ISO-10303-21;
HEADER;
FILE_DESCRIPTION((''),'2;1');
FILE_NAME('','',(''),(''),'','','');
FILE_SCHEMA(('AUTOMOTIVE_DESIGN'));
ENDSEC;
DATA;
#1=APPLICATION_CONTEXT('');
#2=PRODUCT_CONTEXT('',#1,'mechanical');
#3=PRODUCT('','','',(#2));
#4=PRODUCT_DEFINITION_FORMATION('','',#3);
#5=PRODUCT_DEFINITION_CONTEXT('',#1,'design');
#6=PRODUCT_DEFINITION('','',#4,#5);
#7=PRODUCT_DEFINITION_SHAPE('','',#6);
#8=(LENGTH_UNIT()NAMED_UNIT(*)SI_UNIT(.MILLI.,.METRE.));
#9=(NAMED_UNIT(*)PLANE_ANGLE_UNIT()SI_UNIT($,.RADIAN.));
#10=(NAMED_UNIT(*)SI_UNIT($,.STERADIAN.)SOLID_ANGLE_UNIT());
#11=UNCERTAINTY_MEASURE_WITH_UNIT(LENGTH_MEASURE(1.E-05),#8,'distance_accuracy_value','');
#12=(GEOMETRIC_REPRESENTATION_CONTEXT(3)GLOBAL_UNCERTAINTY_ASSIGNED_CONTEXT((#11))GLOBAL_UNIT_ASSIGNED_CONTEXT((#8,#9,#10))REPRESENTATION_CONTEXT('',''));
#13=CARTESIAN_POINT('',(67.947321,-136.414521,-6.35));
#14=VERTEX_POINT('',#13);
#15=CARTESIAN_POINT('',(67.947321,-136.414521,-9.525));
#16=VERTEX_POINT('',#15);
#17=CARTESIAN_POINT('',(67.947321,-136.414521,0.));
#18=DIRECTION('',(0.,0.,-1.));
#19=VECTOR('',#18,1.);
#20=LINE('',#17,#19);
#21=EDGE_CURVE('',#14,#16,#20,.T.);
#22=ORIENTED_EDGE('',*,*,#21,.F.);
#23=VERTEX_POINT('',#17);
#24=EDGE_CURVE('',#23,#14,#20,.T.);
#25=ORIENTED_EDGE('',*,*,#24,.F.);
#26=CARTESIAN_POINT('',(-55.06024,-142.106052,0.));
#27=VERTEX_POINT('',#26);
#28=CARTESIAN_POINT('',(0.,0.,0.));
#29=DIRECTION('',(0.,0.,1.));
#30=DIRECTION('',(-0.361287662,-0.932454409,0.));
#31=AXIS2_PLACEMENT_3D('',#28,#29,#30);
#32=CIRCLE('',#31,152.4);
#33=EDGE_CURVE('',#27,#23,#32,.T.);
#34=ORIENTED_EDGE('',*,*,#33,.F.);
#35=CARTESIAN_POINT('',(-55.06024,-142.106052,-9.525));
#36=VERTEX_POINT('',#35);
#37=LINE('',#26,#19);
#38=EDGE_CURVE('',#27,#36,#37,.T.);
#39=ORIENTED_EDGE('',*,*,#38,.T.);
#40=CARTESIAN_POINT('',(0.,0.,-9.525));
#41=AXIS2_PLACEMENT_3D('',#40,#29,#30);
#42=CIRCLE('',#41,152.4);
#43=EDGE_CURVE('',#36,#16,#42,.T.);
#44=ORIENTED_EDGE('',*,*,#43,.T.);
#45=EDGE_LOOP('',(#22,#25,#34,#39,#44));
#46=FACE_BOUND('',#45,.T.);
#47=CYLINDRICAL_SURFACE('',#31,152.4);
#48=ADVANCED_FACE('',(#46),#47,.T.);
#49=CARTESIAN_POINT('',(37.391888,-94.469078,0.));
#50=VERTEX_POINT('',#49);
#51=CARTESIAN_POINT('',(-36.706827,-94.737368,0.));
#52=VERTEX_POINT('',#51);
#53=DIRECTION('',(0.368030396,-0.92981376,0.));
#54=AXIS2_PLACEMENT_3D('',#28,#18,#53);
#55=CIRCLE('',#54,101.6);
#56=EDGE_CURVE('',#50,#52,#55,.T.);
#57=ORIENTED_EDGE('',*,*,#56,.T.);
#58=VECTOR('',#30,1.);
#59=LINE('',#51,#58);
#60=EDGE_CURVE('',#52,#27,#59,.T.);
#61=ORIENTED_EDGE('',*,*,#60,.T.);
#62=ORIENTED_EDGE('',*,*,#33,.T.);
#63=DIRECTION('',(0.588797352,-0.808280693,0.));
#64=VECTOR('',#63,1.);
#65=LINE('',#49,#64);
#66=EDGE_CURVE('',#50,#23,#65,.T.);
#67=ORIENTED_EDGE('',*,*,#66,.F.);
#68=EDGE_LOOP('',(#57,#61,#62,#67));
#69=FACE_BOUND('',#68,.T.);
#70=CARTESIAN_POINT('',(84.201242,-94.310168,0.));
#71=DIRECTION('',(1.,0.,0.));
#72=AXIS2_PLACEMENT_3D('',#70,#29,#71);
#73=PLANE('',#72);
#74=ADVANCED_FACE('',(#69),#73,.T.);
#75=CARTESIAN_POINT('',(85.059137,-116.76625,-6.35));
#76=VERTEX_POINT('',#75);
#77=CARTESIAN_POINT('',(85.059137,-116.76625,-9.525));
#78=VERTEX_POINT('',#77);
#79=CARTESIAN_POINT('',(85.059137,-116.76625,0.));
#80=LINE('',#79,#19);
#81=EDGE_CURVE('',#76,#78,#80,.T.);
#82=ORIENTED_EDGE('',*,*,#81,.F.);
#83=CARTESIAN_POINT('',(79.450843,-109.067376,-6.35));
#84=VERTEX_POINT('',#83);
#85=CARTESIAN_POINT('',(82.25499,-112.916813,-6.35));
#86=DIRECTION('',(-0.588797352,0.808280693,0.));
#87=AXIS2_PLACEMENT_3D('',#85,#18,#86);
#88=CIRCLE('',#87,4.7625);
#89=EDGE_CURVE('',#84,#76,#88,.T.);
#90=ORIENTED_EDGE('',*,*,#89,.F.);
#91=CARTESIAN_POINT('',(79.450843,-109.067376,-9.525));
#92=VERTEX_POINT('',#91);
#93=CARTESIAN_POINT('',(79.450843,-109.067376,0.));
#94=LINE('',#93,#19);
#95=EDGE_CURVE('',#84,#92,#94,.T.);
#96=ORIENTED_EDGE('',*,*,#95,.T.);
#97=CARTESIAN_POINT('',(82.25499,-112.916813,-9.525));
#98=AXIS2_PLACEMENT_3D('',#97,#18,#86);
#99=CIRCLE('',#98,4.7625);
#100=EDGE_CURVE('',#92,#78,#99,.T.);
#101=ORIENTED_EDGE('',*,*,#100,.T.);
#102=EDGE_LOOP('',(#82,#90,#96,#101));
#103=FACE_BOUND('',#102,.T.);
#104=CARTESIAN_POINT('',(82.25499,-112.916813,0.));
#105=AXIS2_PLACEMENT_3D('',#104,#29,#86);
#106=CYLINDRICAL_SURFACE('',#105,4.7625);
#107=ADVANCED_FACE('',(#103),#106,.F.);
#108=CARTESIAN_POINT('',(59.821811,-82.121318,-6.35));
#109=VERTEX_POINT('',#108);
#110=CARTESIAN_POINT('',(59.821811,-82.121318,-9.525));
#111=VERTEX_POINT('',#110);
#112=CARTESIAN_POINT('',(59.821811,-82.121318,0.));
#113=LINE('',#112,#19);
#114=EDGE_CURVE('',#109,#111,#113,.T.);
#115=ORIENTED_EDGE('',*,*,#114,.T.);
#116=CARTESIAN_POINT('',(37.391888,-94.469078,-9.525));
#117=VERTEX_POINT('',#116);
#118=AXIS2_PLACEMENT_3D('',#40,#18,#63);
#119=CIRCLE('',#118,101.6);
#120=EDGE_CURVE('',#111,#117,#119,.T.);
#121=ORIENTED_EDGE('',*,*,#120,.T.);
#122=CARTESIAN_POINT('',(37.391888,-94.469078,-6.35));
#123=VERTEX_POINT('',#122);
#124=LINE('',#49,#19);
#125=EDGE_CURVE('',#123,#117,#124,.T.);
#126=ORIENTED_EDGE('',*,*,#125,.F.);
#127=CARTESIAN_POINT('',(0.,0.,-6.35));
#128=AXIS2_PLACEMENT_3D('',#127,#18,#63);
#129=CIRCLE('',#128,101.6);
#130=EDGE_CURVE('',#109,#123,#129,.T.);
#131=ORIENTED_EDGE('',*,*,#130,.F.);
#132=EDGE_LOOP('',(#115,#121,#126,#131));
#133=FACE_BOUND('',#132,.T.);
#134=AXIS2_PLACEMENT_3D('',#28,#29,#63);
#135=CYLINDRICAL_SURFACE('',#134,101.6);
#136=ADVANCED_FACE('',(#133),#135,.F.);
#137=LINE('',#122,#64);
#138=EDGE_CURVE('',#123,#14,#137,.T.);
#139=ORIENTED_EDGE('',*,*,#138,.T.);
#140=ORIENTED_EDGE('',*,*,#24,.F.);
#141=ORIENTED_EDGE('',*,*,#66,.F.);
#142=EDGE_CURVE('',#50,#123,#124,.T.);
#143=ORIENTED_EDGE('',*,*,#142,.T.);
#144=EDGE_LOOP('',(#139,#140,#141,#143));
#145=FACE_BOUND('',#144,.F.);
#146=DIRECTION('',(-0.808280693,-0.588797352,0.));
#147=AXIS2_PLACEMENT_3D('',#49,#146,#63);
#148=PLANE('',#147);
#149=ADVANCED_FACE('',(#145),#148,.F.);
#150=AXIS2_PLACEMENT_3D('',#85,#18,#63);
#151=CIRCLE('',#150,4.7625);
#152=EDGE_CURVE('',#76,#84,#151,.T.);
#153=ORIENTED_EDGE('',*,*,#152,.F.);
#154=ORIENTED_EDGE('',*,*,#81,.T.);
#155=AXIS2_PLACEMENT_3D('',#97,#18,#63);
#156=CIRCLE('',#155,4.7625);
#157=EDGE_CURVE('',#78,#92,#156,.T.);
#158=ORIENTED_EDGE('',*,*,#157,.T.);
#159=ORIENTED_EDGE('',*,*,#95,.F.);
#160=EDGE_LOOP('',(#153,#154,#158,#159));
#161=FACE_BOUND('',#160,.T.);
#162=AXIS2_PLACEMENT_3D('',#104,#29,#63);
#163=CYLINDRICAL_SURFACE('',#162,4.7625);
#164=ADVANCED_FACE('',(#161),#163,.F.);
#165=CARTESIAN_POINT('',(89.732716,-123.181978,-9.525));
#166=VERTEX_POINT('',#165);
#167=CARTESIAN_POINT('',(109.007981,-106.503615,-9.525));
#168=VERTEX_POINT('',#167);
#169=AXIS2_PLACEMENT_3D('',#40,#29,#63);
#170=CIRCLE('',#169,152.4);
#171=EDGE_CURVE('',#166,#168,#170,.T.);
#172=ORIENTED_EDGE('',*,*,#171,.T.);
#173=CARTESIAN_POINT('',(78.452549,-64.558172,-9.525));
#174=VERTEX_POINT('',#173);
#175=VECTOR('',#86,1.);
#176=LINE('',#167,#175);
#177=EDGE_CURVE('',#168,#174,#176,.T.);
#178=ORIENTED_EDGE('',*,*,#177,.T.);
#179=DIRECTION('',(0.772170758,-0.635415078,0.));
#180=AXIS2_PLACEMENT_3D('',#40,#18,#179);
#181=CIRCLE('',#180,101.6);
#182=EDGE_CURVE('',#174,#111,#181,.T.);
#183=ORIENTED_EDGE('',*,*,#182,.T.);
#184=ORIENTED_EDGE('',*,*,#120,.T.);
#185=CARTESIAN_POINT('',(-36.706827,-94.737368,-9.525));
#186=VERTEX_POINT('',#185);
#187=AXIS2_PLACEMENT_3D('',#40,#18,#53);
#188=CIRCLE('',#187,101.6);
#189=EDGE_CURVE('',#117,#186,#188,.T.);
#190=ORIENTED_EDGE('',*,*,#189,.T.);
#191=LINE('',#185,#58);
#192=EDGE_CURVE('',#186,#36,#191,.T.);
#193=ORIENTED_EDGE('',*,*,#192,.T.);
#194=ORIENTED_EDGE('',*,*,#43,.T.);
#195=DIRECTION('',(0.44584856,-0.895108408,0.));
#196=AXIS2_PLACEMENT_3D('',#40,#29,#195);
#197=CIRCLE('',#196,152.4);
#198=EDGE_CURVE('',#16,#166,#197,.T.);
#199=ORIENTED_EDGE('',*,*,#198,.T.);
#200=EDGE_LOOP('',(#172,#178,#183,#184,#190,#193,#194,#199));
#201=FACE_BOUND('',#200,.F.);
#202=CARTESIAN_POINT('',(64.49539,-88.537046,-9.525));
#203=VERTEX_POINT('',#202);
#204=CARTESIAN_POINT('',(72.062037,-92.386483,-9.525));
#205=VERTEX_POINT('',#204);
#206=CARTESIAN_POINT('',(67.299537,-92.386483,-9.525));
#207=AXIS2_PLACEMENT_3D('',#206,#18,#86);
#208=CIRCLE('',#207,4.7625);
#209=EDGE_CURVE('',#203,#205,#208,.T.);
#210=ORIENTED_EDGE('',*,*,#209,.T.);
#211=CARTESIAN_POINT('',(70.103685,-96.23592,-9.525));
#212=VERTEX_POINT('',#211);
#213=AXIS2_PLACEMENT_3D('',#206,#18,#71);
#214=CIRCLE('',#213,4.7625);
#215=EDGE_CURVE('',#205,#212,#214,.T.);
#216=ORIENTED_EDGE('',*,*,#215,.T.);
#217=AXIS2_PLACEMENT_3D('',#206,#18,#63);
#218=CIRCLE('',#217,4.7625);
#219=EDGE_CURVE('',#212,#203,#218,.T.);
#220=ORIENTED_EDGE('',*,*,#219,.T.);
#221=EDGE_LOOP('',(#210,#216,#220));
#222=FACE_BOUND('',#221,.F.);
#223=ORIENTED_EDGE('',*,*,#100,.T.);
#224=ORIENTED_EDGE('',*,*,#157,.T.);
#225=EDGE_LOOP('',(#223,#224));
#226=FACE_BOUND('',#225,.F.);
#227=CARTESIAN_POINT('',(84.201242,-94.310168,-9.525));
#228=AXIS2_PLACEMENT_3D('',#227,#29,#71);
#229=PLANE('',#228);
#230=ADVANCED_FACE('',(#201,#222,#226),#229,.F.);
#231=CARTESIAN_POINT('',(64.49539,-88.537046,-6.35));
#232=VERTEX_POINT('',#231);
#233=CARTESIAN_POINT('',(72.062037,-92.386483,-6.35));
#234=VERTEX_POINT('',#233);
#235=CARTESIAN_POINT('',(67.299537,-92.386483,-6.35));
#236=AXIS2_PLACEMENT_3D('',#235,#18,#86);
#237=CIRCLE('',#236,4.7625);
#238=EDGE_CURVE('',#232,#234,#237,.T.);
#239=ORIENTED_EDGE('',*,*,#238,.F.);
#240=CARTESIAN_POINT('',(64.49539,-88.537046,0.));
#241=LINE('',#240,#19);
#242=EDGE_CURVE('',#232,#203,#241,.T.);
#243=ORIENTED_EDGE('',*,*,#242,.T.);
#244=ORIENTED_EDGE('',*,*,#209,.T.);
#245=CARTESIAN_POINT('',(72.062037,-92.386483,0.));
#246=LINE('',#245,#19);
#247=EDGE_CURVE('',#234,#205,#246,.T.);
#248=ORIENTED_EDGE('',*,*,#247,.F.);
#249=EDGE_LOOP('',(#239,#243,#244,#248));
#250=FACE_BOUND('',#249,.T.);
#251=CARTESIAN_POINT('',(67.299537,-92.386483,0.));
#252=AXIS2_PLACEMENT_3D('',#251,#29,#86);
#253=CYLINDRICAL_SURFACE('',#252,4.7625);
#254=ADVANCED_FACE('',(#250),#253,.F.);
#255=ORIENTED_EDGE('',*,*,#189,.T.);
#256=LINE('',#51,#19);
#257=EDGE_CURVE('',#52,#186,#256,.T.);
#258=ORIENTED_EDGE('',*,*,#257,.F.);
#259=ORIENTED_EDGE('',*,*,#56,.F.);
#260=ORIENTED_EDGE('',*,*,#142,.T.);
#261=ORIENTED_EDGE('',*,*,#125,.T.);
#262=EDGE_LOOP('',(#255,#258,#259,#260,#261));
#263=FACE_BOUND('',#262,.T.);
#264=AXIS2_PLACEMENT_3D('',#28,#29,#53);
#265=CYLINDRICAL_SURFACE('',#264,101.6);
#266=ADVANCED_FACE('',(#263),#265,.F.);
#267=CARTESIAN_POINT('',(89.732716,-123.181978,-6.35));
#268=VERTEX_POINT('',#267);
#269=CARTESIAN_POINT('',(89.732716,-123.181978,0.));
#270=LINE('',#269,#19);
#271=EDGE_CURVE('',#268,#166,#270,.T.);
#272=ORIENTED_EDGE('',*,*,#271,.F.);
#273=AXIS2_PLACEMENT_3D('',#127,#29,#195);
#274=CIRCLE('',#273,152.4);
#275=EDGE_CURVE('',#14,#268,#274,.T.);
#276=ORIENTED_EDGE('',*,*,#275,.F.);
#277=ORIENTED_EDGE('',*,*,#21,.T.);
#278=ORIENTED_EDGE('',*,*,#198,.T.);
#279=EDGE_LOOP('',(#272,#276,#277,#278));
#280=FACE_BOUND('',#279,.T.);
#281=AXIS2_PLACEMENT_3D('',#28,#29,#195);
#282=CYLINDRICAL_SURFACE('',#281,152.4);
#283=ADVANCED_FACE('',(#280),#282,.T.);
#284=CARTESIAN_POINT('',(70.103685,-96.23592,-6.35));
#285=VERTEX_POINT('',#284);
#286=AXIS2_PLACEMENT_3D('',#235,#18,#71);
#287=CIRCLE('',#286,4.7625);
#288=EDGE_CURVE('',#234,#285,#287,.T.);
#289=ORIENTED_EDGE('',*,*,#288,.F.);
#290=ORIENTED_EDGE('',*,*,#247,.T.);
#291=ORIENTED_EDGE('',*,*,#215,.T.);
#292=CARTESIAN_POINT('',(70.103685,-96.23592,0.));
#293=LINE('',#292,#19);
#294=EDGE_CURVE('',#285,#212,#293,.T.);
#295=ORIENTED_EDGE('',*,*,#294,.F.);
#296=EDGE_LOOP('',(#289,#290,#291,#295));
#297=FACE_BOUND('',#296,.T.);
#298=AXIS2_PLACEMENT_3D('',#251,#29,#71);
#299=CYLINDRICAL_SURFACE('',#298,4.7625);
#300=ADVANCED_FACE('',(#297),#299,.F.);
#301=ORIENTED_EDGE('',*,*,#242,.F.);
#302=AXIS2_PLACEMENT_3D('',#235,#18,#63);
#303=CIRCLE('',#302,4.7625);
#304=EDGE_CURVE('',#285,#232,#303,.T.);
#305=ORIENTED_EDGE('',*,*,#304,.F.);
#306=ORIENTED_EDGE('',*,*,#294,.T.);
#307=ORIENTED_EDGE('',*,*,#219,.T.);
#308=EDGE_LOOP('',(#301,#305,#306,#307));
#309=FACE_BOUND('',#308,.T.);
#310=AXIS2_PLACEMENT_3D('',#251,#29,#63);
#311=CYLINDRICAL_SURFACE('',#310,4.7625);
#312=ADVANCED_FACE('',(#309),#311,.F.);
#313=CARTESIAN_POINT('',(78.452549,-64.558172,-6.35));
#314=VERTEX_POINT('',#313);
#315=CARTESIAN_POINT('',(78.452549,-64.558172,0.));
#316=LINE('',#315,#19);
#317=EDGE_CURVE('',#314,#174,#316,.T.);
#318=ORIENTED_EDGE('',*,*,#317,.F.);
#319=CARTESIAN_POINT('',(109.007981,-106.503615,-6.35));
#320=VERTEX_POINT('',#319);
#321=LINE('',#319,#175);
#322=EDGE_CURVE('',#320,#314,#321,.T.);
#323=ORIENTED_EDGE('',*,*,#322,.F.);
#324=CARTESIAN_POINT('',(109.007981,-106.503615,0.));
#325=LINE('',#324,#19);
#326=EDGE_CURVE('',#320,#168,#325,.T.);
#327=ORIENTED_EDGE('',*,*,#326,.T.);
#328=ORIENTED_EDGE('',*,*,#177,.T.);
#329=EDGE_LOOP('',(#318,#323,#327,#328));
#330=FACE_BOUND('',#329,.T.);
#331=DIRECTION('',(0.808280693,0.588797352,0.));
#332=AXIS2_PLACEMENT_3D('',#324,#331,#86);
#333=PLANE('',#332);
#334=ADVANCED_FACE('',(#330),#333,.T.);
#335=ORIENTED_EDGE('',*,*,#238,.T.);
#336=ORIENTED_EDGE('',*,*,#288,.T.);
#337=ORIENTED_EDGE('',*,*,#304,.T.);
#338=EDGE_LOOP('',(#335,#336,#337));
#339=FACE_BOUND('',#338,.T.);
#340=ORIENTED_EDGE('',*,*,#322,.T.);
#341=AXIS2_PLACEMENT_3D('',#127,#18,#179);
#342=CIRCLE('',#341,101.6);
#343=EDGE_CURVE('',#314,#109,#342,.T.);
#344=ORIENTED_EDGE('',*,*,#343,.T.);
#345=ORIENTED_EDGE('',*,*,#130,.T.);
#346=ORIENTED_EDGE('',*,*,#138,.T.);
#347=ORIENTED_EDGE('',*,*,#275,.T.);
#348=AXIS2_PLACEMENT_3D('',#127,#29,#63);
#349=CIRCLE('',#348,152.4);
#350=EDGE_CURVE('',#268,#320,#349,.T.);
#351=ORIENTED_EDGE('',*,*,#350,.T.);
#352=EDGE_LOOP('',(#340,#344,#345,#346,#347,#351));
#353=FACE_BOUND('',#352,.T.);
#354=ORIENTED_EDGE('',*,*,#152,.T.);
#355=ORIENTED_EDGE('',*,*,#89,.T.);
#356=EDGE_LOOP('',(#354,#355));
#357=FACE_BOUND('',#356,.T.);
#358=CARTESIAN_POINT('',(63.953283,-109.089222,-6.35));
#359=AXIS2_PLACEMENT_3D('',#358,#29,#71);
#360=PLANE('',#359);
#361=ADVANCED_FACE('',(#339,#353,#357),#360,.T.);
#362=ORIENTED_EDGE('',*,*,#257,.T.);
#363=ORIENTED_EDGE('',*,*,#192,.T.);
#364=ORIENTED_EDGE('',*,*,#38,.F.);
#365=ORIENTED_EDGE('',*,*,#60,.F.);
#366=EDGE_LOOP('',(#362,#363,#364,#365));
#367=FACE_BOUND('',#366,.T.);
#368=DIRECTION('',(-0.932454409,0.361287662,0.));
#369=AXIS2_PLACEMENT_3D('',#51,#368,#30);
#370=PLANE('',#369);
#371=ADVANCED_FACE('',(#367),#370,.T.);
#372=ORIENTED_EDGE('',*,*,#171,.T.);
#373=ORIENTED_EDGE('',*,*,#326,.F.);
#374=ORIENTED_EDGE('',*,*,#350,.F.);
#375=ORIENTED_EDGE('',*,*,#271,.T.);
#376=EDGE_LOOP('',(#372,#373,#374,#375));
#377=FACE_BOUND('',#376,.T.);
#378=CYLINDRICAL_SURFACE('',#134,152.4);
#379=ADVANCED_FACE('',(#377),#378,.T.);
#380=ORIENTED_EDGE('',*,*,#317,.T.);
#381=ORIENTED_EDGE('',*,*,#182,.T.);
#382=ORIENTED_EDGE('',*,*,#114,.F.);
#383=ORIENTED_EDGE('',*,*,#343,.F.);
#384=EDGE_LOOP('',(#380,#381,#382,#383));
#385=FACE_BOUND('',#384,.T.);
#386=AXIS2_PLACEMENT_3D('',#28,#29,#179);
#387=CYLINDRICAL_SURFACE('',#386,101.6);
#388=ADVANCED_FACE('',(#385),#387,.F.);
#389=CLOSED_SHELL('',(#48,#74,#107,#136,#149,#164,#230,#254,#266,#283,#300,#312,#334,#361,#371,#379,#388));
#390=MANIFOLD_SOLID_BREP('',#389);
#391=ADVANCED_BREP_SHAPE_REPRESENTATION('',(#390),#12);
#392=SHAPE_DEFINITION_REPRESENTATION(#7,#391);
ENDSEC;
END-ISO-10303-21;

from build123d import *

# Parameters (mm, degrees)
F1_DEPTH = 9.525
F2_DEPTH = 6.35


with BuildPart() as f1:
    # F0 (on Top) → F1 (new body)
    with BuildSketch(Plane.XY):
        with BuildLine():
            Line((109.0079811876, -106.5036151378), (78.4525489868, -64.5581718877))
            ThreePointArc((78.4525489868, -64.5581718877), (69.69265157, -73.9289815778), (59.8218109514, -82.1213183923))
            Line((59.8218109514, -82.1213183923), (64.495389932, -88.5370463917))
            ThreePointArc((64.495389932, -88.5370463917), (69.459011135, -88.1417123974), (72.0620373203, -92.3864831914))
            ThreePointArc((72.0620373203, -92.3864831914), (71.5443081143, -94.5459570061), (70.1036847087, -96.235919991))
            Line((70.1036847087, -96.235919991), (79.4508426698, -109.0673759898))
            ThreePointArc((79.4508426698, -109.0673759898), (84.4144638729, -108.6720419955), (87.0174900582, -112.9168127895))
            ThreePointArc((87.0174900582, -112.9168127895), (86.4997608522, -115.0762866042), (85.0591374465, -116.7662495891))
            Line((85.0591374465, -116.7662495891), (89.7327164271, -123.1819775885))
            ThreePointArc((89.7327164271, -123.1819775885), (99.7196478413, -115.2464829589), (109.0079811876, -106.5036151378))
        make_face()
        with BuildLine():
            ThreePointArc((59.8218109514, -82.1213183923), (48.9973735962, -89.0045919078), (37.3918882403, -94.469077977))
            Line((37.3918882403, -94.469077977), (67.9473205258, -136.4145213434))
            ThreePointArc((67.9473205258, -136.4145213434), (79.1171509025, -130.254506383), (89.7327164271, -123.1819775885))
            Line((89.7327164271, -123.1819775885), (85.0591374465, -116.7662495891))
            ThreePointArc((85.0591374465, -116.7662495891), (78.4055532585, -115.7209601778), (79.4508426698, -109.0673759898))
            Line((79.4508426698, -109.0673759898), (70.1036847087, -96.235919991))
            ThreePointArc((70.1036847087, -96.235919991), (63.4501005207, -95.1906305797), (64.495389932, -88.5370463917))
            Line((64.495389932, -88.5370463917), (59.8218109514, -82.1213183923))
        make_face()
        with BuildLine():
            Line((67.9473205258, -136.4145213434), (37.3918882403, -94.469077977))
            ThreePointArc((37.3918882403, -94.469077977), (0.3678617573, -101.5993340418), (-36.7068265087, -94.7373679582))
            Line((-36.7068265087, -94.7373679582), (-55.0602397631, -142.1060519374))
            ThreePointArc((-55.0602397631, -142.1060519374), (7.0439756368, -152.2371255878), (67.9473205258, -136.4145213434))
        make_face()
    extrude(amount=-F1_DEPTH)

    # F0 (on Top) → F2 (cut)
    with BuildSketch(Plane.XY):
        with BuildLine():
            ThreePointArc((59.8218109514, -82.1213183923), (48.9973735962, -89.0045919078), (37.3918882403, -94.469077977))
            Line((37.3918882403, -94.469077977), (67.9473205258, -136.4145213434))
            ThreePointArc((67.9473205258, -136.4145213434), (79.1171509025, -130.254506383), (89.7327164271, -123.1819775885))
            Line((89.7327164271, -123.1819775885), (85.0591374465, -116.7662495891))
            ThreePointArc((85.0591374465, -116.7662495891), (78.4055532585, -115.7209601778), (79.4508426698, -109.0673759898))
            Line((79.4508426698, -109.0673759898), (70.1036847087, -96.235919991))
            ThreePointArc((70.1036847087, -96.235919991), (63.4501005207, -95.1906305797), (64.495389932, -88.5370463917))
            Line((64.495389932, -88.5370463917), (59.8218109514, -82.1213183923))
        make_face()
        with BuildLine():
            Line((109.0079811876, -106.5036151378), (78.4525489868, -64.5581718877))
            ThreePointArc((78.4525489868, -64.5581718877), (69.69265157, -73.9289815778), (59.8218109514, -82.1213183923))
            Line((59.8218109514, -82.1213183923), (64.495389932, -88.5370463917))
            ThreePointArc((64.495389932, -88.5370463917), (69.459011135, -88.1417123974), (72.0620373203, -92.3864831914))
            ThreePointArc((72.0620373203, -92.3864831914), (71.5443081143, -94.5459570061), (70.1036847087, -96.235919991))
            Line((70.1036847087, -96.235919991), (79.4508426698, -109.0673759898))
            ThreePointArc((79.4508426698, -109.0673759898), (84.4144638729, -108.6720419955), (87.0174900582, -112.9168127895))
            ThreePointArc((87.0174900582, -112.9168127895), (86.4997608522, -115.0762866042), (85.0591374465, -116.7662495891))
            Line((85.0591374465, -116.7662495891), (89.7327164271, -123.1819775885))
            ThreePointArc((89.7327164271, -123.1819775885), (99.7196478413, -115.2464829589), (109.0079811876, -106.5036151378))
        make_face()
    extrude(amount=-F2_DEPTH, mode=Mode.SUBTRACT)


solid = f1.part
